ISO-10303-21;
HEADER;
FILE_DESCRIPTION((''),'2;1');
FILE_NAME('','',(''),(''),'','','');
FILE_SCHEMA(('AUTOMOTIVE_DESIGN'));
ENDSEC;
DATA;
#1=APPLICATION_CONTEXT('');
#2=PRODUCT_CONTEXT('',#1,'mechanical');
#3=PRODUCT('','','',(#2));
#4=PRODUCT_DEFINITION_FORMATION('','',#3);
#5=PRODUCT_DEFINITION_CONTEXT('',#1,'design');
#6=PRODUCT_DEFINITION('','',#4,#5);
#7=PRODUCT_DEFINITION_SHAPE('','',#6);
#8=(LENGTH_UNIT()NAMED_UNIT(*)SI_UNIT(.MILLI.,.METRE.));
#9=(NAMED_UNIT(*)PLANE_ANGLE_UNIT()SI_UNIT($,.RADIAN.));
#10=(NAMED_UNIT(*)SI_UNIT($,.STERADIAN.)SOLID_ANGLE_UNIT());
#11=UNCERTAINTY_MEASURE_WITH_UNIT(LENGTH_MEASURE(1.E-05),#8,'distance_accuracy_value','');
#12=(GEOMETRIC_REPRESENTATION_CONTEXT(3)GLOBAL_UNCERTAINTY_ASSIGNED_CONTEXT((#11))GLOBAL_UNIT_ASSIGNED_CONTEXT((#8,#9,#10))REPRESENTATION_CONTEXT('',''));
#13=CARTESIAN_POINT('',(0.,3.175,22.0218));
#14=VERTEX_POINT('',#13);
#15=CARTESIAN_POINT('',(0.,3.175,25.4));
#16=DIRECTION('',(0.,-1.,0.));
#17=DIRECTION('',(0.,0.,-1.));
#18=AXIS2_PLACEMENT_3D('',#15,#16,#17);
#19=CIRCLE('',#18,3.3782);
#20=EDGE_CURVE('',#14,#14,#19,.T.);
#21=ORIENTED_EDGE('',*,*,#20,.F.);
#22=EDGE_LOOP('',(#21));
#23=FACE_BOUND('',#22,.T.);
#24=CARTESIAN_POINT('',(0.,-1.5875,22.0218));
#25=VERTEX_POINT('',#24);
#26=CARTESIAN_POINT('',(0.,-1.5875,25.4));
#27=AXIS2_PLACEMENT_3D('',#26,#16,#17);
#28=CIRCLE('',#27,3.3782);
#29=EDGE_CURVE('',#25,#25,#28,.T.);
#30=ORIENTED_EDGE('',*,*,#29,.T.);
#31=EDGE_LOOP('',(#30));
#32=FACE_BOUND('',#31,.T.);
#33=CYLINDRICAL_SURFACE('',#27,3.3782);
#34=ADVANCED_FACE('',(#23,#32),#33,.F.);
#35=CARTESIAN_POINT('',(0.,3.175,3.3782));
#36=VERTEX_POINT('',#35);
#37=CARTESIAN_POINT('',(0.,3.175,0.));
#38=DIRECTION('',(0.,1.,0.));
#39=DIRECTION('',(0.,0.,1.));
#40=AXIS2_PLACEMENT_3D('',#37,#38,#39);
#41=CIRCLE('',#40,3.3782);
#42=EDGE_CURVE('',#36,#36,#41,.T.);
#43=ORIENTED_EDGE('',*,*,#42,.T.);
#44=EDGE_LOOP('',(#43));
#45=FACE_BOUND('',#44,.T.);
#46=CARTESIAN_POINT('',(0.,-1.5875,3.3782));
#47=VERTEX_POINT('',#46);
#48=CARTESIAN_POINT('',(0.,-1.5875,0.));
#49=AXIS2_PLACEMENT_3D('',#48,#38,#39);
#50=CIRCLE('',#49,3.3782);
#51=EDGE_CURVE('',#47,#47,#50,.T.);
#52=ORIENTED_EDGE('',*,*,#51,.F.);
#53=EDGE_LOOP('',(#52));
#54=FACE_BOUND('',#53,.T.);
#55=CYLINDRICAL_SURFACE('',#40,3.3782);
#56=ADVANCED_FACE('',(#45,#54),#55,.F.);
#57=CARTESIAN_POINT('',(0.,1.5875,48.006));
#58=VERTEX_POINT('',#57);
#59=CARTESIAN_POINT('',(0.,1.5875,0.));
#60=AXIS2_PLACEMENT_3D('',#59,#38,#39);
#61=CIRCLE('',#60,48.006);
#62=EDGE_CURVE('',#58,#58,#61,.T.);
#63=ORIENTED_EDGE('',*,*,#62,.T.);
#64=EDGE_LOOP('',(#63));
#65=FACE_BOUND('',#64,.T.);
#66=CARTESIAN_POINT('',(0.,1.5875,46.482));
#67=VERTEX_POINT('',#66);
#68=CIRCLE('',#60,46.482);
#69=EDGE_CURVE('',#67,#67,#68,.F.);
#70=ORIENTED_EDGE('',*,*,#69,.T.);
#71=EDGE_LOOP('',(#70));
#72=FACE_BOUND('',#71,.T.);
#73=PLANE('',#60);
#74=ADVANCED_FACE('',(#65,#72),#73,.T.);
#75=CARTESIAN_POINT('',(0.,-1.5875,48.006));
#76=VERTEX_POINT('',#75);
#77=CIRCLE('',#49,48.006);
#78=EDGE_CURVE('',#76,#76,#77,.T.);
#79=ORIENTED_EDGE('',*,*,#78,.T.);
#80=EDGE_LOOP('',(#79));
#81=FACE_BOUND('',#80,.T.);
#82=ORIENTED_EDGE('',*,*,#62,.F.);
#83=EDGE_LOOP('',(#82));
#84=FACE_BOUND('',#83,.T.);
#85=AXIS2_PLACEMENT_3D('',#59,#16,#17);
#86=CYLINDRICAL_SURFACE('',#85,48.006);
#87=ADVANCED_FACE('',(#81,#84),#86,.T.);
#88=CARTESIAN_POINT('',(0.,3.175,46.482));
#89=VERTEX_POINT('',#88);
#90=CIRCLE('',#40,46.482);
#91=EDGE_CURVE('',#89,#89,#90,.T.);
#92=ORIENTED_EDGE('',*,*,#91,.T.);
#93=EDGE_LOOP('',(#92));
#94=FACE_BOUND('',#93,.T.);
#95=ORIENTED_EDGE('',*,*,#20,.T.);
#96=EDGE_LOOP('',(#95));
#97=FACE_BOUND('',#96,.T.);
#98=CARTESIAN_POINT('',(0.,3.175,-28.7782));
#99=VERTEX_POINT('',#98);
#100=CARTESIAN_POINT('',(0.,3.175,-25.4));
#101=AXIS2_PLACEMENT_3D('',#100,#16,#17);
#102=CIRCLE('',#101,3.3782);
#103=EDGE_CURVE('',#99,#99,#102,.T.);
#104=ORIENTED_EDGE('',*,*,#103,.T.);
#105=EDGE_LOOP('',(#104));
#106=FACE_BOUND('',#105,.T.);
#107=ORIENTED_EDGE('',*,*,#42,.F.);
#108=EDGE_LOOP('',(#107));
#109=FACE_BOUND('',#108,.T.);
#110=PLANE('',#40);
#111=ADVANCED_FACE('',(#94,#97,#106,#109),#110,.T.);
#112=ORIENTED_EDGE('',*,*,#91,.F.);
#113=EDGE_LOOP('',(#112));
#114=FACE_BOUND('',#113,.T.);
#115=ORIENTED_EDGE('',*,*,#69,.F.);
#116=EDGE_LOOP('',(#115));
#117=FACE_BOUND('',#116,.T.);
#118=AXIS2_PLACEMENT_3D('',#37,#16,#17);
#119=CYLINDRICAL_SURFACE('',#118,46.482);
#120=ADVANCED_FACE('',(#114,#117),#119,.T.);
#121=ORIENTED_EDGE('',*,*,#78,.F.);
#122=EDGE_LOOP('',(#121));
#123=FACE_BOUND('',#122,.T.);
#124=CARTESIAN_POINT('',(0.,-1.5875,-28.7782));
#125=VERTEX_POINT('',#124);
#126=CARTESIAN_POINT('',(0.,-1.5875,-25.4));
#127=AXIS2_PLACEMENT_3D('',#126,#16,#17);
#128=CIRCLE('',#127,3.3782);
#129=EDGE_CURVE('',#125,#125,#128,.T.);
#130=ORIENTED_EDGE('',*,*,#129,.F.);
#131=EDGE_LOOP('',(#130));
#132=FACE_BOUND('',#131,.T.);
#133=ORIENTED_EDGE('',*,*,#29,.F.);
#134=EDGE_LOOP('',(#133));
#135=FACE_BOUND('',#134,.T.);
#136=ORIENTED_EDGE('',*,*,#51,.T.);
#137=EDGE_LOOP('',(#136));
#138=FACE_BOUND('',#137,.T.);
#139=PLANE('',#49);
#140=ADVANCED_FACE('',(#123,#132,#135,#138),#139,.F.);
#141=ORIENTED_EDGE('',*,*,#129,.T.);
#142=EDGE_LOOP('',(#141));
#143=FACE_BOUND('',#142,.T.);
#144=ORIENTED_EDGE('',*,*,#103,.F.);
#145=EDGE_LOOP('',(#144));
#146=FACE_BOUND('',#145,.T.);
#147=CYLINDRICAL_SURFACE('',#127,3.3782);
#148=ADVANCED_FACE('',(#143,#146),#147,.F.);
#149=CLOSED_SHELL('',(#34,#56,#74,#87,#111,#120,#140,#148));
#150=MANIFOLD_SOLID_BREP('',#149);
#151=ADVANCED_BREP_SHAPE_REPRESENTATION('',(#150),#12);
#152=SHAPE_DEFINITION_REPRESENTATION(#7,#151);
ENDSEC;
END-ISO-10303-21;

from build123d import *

# Parameters (mm, degrees)
SKETCH1_R               = 48.006
BOSS_EXTRUDE1_DEPTH     = 1.5875
SKETCH2_R               = 46.482
BOSS_EXTRUDE2_DEPTH     = 1.5875
F_1_4_CLEARANCE_HOLE1_D = 6.7564
F_1_4_CLEARANCE_HOLE2_D = 6.7564


with BuildPart() as part:
    # Sketch1 → Boss-Extrude1 (new body, symmetric)
    with BuildSketch(Plane(origin=(0, 0, 0), x_dir=(1, 0, 0), z_dir=(0, 1, 0))):
        Circle(SKETCH1_R)
    extrude(amount=BOSS_EXTRUDE1_DEPTH, both=True)

    # Sketch2 → Boss-Extrude2 (add, symmetric)
    with BuildSketch(Plane(origin=(0, 1.5875, 0), x_dir=(1, 0, 0), z_dir=(0, 1, 0))):
        Circle(SKETCH2_R)
    extrude(amount=BOSS_EXTRUDE2_DEPTH, both=True)

    # 1/4 Clearance Hole1 (through all)
    with Locations(Plane(origin=(0, 3.175, 0), x_dir=(1, 0, 0), z_dir=(0, 1, 0))):
        with Locations((0, 0)):
            Hole(F_1_4_CLEARANCE_HOLE1_D / 2)

    # 1/4 Clearance Hole2 (through all)
    with Locations(Plane(origin=(0, -1.5875, 0), x_dir=(-1, 0, 0), z_dir=(0, -1, 0))):
        with Locations((0, 25.4), (0, -25.4)):
            Hole(F_1_4_CLEARANCE_HOLE2_D / 2)


solid = part.part
